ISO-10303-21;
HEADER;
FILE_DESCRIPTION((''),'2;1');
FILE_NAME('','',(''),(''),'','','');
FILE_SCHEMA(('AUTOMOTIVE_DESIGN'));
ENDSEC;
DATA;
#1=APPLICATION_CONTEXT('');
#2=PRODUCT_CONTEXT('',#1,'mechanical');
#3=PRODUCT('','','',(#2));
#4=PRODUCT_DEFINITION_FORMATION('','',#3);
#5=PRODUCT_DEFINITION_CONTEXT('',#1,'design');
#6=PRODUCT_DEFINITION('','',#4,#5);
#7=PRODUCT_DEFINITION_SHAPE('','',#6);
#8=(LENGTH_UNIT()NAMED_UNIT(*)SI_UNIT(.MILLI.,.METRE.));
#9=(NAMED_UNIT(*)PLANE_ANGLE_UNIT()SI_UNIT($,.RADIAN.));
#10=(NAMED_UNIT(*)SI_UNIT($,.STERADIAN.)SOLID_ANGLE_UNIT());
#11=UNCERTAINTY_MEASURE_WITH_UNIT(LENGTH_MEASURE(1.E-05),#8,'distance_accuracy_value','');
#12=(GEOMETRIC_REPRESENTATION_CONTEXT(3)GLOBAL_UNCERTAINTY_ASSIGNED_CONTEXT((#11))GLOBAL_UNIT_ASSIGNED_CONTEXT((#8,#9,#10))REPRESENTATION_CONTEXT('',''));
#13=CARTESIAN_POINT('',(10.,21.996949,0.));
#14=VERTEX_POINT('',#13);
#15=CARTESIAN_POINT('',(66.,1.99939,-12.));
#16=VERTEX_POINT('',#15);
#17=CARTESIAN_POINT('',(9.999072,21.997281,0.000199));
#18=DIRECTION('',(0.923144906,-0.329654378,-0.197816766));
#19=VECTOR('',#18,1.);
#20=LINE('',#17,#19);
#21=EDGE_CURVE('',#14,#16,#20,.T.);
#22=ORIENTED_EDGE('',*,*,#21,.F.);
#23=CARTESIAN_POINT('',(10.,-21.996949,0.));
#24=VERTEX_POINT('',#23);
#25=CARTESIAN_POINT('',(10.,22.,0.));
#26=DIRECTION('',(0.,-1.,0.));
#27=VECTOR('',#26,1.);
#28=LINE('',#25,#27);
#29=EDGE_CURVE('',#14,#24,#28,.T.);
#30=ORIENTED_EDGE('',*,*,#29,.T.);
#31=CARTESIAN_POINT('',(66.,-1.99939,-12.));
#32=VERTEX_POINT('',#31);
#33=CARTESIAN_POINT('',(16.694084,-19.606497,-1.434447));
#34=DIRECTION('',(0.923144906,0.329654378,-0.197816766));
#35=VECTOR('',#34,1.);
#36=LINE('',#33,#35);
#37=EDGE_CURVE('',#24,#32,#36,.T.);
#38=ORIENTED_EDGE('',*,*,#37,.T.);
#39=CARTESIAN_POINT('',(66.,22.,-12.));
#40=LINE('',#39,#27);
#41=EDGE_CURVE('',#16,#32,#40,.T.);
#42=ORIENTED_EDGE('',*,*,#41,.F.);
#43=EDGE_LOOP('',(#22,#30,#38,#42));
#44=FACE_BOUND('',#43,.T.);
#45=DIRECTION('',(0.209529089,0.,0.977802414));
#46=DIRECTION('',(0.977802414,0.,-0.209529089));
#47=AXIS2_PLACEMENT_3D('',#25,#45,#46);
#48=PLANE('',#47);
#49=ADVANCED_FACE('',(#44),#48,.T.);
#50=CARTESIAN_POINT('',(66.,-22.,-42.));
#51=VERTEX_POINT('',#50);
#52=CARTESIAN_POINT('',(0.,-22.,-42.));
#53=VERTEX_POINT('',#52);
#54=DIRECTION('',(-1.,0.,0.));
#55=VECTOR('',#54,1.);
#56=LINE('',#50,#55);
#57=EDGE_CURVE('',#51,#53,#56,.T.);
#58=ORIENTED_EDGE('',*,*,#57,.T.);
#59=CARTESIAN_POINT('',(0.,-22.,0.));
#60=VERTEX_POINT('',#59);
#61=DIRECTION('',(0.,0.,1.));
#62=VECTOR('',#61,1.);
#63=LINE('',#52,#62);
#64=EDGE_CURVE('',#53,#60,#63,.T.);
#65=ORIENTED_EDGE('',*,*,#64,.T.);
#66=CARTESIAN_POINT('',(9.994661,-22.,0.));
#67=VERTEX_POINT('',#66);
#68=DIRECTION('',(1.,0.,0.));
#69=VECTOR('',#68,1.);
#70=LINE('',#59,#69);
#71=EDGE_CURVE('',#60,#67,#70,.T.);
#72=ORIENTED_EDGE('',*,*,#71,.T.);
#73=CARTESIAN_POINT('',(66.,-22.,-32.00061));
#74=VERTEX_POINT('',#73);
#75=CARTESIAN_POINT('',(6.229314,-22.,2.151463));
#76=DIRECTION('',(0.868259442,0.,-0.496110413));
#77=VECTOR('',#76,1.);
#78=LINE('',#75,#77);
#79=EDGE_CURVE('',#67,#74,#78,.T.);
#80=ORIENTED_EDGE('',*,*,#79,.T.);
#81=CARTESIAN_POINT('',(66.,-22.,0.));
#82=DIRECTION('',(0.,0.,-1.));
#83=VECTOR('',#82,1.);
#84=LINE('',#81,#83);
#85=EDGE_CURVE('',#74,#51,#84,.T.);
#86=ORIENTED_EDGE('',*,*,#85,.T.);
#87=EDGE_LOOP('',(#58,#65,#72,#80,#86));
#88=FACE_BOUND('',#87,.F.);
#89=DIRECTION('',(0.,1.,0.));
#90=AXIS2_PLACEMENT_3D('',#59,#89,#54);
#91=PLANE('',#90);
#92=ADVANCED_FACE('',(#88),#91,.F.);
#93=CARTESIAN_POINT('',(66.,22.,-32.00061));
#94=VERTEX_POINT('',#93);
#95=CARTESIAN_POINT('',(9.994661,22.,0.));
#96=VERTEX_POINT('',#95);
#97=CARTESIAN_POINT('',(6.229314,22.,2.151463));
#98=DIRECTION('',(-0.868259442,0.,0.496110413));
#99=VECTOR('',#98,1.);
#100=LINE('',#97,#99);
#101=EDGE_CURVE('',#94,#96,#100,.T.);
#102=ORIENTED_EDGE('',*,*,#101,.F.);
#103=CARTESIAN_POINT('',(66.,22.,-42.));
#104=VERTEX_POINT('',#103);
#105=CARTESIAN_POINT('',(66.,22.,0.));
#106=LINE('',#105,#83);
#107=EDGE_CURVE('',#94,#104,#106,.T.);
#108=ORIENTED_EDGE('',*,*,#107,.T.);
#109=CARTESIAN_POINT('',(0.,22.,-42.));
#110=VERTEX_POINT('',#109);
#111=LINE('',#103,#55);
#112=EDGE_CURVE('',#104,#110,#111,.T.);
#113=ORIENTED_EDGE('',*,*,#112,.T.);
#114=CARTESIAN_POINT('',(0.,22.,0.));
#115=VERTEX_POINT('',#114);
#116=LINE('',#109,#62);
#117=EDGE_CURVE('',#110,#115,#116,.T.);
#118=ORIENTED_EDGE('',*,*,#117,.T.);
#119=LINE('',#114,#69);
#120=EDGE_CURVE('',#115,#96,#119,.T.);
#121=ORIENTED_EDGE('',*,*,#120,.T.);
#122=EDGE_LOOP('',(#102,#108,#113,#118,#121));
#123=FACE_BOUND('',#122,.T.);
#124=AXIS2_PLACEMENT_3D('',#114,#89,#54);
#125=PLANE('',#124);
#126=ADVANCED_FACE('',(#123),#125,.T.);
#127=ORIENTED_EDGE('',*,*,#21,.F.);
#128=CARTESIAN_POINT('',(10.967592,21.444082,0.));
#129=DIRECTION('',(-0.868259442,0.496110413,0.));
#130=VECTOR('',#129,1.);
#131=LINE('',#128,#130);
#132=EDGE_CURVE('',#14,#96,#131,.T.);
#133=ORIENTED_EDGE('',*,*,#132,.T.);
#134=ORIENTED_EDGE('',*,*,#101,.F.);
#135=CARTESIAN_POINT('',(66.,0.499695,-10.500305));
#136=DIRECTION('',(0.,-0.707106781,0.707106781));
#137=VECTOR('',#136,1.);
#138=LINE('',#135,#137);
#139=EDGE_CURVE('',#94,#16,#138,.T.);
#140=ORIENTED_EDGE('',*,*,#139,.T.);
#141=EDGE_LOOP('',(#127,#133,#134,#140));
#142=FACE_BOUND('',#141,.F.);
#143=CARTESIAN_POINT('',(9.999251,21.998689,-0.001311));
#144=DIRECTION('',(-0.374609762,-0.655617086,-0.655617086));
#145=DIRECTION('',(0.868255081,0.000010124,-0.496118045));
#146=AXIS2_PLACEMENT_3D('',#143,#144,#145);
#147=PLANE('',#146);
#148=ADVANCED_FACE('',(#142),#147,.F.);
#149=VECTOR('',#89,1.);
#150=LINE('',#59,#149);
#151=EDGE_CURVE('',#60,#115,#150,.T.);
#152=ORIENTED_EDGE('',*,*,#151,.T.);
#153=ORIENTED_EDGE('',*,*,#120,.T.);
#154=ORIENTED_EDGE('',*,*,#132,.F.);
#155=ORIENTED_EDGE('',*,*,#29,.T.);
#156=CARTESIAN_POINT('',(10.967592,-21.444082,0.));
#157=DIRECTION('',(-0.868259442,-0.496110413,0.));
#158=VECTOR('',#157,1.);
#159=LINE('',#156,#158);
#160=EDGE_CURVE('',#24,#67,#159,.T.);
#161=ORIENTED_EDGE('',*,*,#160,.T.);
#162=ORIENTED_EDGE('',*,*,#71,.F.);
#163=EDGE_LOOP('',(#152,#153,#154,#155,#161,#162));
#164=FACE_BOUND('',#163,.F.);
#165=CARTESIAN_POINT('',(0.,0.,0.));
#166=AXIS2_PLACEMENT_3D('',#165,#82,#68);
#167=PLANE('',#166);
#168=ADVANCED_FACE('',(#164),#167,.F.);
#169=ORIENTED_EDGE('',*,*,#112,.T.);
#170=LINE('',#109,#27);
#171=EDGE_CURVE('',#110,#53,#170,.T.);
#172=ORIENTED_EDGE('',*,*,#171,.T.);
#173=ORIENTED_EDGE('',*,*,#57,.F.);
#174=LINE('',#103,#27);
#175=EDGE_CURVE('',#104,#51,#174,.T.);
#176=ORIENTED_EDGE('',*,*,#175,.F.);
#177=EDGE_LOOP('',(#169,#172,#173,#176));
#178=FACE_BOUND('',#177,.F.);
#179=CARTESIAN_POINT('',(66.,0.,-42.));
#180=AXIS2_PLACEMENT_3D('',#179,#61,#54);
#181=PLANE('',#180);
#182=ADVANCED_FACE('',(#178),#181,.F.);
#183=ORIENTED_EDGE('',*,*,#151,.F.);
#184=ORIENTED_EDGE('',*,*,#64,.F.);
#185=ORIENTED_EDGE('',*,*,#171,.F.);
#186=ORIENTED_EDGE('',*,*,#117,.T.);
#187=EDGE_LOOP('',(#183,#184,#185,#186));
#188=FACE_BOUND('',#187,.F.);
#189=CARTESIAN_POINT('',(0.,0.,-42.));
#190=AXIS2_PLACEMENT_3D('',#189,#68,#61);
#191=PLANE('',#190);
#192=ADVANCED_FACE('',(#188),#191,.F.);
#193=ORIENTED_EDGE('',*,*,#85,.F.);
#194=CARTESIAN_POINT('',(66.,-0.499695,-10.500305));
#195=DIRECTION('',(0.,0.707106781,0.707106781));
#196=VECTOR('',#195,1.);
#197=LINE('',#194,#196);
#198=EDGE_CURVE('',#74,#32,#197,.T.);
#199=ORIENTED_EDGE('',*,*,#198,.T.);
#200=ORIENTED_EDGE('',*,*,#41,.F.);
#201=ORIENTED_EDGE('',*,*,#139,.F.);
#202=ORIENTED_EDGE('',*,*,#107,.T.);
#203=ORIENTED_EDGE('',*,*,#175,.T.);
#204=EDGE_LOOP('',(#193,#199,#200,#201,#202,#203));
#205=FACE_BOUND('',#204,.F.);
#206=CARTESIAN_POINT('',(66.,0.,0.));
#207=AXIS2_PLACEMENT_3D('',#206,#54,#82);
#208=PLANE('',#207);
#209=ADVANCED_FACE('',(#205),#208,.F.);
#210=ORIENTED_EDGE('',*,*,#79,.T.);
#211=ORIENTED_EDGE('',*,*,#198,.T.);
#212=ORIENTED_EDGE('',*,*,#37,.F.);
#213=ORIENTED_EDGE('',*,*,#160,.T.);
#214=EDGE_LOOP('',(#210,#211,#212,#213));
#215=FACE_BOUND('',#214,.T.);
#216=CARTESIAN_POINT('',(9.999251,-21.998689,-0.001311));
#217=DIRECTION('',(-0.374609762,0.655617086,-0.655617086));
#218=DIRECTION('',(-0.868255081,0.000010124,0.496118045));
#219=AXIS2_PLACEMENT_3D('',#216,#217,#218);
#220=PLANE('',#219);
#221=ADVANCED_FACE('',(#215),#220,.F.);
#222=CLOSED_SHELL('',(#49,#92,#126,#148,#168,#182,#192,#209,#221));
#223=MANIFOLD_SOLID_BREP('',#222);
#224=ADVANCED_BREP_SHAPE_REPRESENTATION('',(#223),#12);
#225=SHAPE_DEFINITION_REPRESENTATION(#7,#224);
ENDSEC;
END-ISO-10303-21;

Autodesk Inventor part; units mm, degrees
ref_plane "YZ Plane" through (0, 0, 0) normal (1, 0, 0) x (0, 1, 0)
ref_plane "XZ Plane" through (0, 0, 0) normal (0, 1, 0) x (-1, 0, 0)
sketch "草圖1" plane through (0, 0, 0) normal (0, 1, 0) x (-1, 0, 0)
  line L0 (0, 0) -> (-66, 0)
  line L1 (-66, 0) -> (-66, -42)
  line L2 (-66, -42) -> (0, -42)
  line L3 (0, -42) -> (0, 0)
  dimension "d0" = 66
  dimension "d1" = 42
extrude "擠出1" add sketch "草圖1" along normal mid plane 44
sketch "草圖2" plane through (0, 22, 0) normal (0, 1, 0) x (1, 0, 0)
  line L0 (0, 0) -> (66, 0) projected
  line L1 (10, 0) -> (66, 12)
  line L2 (66, 0) -> (66, 42) projected
  dimension "d4" = 10
  dimension "d5" = 30
extrude "擠出2" cut sketch "草圖2" against normal blind 60
sketch "草圖3" plane through (66, -22, -42) normal (1, 0, 0) x (0, 0, -1)
  line L0 (-30, 24) -> (-10, 44)
  line L1 (0, 44) -> (-42, 44) projected
  line L2 (-30, 44) -> (-30, 0) projected
  point P0 (-42, 22)
  point P1 (-30, 2)
  dimension "d8" = 20
  dimension "d9" = 20
ref_plane "工作平面1" through (10, 22, 0) normal (-0.3746, -0.6556, -0.6556) x (0.8682, 0, -0.4961)
sketch "草圖4" plane through (10, 22, 0) normal (-0.3746, -0.6556, -0.6556) x (0.8682, 0, -0.4961)
  line L0 (-15.1543, -12.3218) -> (93.717, -12.3218)
  line L1 (93.717, -12.3218) -> (93.717, 28.8166)
  line L2 (93.717, 28.8166) -> (-15.1543, 28.8166)
  line L3 (-15.1543, 28.8166) -> (-15.1543, -12.3218)
  point P0 (-8.6824, 13.3595)
extrude "擠出3" cut sketch "草圖4" against normal blind 40
mirror "鏡射1" about plane through (0, 0, 0) normal (0, 1, 0) of "擠出3"
properties part number "60"
